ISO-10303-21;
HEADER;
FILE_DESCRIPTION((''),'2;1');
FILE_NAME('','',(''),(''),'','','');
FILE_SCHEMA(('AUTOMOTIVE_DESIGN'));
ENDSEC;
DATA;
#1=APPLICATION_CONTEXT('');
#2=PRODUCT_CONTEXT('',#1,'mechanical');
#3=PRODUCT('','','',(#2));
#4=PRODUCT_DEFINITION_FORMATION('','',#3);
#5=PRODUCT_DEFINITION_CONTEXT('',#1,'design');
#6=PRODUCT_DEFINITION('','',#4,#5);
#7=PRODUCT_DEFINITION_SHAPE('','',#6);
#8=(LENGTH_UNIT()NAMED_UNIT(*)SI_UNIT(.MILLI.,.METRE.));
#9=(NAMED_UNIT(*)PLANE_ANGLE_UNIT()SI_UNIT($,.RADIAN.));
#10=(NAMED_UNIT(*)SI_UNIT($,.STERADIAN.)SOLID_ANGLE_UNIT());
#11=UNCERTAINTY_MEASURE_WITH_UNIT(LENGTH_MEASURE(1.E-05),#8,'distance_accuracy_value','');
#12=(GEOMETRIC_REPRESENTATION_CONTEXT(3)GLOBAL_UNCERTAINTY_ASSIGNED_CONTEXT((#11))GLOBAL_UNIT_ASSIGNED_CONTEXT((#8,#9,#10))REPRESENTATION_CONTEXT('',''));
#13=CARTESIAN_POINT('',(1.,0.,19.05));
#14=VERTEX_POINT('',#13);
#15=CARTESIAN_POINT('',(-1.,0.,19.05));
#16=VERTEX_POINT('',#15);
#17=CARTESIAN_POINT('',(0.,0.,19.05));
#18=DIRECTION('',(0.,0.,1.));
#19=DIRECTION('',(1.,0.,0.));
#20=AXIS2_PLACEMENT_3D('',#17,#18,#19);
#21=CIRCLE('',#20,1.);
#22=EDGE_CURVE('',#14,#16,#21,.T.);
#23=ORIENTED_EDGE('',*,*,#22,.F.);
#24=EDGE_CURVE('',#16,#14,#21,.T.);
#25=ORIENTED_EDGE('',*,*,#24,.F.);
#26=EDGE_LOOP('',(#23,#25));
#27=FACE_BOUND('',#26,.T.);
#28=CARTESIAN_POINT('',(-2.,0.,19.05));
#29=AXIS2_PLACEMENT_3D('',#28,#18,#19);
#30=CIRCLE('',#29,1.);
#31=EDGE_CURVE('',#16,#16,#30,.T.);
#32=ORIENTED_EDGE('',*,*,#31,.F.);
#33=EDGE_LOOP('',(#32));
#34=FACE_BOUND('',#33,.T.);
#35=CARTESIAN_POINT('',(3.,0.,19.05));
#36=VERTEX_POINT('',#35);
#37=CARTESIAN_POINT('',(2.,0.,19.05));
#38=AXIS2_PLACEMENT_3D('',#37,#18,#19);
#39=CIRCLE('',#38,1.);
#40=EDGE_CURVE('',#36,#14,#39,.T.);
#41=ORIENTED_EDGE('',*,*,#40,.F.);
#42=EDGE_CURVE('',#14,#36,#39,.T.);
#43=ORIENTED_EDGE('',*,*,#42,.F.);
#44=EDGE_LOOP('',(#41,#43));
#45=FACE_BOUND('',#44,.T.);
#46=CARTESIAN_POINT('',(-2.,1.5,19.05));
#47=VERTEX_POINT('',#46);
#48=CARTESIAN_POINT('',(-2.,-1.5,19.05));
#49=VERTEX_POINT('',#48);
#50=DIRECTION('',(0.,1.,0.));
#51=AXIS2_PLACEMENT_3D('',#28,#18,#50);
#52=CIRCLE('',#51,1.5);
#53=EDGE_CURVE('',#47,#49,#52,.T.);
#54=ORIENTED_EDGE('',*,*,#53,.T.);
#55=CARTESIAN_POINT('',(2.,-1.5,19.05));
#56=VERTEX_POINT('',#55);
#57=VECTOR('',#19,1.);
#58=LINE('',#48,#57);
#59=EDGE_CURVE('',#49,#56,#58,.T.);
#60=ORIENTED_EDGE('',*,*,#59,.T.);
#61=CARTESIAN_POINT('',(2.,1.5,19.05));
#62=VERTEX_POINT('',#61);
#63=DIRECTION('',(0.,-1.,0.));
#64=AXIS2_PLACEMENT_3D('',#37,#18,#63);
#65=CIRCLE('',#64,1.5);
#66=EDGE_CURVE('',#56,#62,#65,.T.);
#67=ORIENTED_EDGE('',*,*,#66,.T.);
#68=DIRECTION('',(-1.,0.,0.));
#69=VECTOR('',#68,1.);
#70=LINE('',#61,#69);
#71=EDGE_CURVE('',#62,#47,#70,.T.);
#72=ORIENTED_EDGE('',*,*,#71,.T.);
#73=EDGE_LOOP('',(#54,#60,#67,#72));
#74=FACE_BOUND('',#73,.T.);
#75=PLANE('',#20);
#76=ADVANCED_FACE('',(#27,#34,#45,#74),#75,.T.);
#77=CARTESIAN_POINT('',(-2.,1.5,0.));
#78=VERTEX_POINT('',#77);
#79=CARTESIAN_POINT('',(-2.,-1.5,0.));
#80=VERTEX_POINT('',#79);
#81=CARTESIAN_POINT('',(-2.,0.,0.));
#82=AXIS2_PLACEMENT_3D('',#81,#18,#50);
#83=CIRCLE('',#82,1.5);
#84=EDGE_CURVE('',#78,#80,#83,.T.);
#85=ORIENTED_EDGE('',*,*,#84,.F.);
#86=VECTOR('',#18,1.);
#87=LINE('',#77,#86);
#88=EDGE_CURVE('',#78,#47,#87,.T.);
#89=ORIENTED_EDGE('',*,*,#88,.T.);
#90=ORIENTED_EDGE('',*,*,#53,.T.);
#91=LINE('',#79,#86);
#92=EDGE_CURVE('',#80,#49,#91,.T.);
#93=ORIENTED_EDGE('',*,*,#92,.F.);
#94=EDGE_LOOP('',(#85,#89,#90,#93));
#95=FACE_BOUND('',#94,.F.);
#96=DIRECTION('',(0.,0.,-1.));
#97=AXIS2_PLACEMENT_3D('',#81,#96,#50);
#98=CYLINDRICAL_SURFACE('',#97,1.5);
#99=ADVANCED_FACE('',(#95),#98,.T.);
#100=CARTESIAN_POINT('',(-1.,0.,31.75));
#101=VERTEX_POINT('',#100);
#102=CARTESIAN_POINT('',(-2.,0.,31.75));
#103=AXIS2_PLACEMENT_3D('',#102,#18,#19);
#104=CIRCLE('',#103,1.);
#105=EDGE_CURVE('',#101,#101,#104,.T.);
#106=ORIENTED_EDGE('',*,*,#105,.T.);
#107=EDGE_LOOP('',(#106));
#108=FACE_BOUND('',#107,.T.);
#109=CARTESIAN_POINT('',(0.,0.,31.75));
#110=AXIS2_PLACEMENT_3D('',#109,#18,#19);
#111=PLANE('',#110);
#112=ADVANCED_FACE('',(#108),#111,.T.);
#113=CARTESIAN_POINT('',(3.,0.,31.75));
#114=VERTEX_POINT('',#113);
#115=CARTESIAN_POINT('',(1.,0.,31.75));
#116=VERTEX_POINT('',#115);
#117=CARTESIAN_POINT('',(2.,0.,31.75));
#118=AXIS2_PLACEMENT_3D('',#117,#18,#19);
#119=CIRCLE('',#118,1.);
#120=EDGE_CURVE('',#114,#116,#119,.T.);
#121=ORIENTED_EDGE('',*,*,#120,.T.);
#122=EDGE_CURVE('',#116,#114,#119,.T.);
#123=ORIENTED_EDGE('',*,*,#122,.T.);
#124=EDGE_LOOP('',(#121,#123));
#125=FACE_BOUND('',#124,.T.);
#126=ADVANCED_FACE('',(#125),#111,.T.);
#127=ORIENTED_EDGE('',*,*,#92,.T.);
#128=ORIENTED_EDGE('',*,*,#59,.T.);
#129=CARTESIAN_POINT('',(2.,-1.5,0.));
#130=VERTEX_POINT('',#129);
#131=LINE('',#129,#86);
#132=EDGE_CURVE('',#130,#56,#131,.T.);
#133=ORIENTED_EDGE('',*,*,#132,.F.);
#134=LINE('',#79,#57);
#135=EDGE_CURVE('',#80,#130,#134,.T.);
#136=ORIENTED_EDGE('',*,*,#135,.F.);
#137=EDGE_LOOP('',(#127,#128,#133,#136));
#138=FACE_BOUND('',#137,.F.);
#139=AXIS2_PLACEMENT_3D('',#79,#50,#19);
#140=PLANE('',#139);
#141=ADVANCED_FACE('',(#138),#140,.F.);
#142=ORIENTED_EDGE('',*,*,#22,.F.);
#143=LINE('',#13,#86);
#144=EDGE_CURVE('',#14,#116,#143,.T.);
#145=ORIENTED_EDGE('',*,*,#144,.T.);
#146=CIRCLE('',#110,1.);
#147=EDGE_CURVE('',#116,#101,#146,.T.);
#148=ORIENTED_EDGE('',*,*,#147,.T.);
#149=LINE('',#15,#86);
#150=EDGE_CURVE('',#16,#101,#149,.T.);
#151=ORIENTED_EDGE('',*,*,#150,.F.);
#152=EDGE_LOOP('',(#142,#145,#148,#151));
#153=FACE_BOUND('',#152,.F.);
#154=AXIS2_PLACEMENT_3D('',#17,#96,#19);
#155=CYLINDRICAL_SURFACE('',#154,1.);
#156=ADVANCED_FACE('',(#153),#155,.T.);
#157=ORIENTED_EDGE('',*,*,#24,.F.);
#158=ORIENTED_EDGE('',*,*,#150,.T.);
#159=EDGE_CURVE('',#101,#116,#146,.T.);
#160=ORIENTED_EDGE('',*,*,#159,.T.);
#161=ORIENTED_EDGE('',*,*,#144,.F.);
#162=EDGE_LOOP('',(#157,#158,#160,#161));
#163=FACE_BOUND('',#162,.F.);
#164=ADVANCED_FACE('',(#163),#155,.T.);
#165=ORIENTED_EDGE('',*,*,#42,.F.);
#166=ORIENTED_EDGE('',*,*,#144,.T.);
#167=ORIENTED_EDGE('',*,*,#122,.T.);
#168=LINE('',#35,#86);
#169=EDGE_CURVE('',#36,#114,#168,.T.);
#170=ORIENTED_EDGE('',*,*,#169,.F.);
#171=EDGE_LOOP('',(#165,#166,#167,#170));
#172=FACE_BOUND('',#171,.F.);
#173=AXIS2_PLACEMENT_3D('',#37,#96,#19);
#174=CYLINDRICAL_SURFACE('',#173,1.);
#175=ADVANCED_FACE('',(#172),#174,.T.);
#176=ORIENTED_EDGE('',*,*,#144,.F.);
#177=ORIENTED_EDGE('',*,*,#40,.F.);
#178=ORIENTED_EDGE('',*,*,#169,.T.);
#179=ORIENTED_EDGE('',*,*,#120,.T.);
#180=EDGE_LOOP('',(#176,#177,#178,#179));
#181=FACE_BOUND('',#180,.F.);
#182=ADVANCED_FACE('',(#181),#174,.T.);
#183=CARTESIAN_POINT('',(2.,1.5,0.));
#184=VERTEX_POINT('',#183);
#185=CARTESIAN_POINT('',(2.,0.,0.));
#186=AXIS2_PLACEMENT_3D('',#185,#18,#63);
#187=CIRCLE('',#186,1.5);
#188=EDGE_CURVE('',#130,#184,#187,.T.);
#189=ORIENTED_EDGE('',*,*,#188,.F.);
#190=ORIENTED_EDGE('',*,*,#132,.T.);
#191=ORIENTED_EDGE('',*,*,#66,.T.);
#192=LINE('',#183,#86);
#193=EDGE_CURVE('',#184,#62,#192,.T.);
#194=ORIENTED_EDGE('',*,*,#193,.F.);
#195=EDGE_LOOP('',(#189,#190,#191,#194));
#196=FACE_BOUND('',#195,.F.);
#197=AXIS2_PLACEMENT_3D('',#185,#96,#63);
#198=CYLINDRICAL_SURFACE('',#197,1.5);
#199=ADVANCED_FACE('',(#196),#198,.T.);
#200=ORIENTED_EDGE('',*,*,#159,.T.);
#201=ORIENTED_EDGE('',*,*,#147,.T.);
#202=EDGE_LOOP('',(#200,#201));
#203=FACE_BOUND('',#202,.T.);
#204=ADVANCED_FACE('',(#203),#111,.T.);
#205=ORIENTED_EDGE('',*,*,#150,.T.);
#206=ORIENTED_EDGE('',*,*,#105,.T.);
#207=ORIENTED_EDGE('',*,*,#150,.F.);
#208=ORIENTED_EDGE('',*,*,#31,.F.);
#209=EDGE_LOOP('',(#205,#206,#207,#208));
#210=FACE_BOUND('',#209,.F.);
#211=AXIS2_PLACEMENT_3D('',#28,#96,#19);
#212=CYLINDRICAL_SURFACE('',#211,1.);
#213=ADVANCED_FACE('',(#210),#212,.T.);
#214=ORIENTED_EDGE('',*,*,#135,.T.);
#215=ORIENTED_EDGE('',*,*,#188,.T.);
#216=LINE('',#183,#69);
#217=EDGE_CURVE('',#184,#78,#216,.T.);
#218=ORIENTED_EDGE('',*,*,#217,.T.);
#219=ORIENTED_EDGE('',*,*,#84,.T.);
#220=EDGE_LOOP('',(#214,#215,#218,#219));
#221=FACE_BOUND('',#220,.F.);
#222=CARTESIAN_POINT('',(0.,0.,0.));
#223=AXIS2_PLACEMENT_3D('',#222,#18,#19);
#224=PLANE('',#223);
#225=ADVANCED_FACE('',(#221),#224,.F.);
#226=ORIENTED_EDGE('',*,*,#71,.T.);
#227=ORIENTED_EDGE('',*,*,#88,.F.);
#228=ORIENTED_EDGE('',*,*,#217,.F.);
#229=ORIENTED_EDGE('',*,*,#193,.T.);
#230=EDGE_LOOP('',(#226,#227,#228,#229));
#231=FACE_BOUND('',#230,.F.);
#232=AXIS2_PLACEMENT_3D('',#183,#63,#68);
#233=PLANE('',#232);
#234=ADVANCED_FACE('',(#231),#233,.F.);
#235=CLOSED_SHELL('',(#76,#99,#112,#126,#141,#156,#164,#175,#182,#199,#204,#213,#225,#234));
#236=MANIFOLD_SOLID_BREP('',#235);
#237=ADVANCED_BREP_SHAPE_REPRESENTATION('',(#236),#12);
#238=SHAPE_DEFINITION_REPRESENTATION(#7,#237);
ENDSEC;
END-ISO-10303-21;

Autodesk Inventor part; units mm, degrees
ref_plane "YZ Plane" through (0, 0, 0) normal (1, 0, 0) x (0, 1, 0)
ref_plane "XZ Plane" through (0, 0, 0) normal (0, 1, 0) x (-1, 0, 0)
ref_plane "XY Plane" through (0, 0, 0) normal (0, 0, 1) x (1, 0, 0)
sketch "Sketch1" plane through (0, 0, 0) normal (0, 0, 1) x (1, 0, 0)
  line L0 (-2, 0) -> (2, 0) construction
  line L1 (-2, -1.5) -> (2, -1.5)
  line L2 (2, 1.5) -> (-2, 1.5)
  arc A0 (-2, 1.5) -> (-2, -1.5) centre (-2, 0) ccw
  arc A1 (2, -1.5) -> (2, 1.5) centre (2, 0) ccw
  point P0 (0, 0)
  dimension "d0" = 4
  dimension "d1" = 1.5
extrude "Extrusion1" add sketch "Sketch1" along normal blind 19.05
sketch "Sketch2" plane through (0, 0, 19.05) normal (0, 0, 1) x (1, 0, 0)
  circle A0 centre (0, 0) radius 1
  circle A1 centre (-2, 0) radius 1
  circle A2 centre (2, 0) radius 1
  line L0 (-2, 0) -> (2, 0)
  point P0 (-1, 0)
  point P1 (1, 0)
  dimension "d4" = 2
  dimension "d5" = 2
  dimension "d6" = 2
extrude "Extrusion2" add sketch "Sketch2" along normal blind 12.7
properties part number "CABLE"
